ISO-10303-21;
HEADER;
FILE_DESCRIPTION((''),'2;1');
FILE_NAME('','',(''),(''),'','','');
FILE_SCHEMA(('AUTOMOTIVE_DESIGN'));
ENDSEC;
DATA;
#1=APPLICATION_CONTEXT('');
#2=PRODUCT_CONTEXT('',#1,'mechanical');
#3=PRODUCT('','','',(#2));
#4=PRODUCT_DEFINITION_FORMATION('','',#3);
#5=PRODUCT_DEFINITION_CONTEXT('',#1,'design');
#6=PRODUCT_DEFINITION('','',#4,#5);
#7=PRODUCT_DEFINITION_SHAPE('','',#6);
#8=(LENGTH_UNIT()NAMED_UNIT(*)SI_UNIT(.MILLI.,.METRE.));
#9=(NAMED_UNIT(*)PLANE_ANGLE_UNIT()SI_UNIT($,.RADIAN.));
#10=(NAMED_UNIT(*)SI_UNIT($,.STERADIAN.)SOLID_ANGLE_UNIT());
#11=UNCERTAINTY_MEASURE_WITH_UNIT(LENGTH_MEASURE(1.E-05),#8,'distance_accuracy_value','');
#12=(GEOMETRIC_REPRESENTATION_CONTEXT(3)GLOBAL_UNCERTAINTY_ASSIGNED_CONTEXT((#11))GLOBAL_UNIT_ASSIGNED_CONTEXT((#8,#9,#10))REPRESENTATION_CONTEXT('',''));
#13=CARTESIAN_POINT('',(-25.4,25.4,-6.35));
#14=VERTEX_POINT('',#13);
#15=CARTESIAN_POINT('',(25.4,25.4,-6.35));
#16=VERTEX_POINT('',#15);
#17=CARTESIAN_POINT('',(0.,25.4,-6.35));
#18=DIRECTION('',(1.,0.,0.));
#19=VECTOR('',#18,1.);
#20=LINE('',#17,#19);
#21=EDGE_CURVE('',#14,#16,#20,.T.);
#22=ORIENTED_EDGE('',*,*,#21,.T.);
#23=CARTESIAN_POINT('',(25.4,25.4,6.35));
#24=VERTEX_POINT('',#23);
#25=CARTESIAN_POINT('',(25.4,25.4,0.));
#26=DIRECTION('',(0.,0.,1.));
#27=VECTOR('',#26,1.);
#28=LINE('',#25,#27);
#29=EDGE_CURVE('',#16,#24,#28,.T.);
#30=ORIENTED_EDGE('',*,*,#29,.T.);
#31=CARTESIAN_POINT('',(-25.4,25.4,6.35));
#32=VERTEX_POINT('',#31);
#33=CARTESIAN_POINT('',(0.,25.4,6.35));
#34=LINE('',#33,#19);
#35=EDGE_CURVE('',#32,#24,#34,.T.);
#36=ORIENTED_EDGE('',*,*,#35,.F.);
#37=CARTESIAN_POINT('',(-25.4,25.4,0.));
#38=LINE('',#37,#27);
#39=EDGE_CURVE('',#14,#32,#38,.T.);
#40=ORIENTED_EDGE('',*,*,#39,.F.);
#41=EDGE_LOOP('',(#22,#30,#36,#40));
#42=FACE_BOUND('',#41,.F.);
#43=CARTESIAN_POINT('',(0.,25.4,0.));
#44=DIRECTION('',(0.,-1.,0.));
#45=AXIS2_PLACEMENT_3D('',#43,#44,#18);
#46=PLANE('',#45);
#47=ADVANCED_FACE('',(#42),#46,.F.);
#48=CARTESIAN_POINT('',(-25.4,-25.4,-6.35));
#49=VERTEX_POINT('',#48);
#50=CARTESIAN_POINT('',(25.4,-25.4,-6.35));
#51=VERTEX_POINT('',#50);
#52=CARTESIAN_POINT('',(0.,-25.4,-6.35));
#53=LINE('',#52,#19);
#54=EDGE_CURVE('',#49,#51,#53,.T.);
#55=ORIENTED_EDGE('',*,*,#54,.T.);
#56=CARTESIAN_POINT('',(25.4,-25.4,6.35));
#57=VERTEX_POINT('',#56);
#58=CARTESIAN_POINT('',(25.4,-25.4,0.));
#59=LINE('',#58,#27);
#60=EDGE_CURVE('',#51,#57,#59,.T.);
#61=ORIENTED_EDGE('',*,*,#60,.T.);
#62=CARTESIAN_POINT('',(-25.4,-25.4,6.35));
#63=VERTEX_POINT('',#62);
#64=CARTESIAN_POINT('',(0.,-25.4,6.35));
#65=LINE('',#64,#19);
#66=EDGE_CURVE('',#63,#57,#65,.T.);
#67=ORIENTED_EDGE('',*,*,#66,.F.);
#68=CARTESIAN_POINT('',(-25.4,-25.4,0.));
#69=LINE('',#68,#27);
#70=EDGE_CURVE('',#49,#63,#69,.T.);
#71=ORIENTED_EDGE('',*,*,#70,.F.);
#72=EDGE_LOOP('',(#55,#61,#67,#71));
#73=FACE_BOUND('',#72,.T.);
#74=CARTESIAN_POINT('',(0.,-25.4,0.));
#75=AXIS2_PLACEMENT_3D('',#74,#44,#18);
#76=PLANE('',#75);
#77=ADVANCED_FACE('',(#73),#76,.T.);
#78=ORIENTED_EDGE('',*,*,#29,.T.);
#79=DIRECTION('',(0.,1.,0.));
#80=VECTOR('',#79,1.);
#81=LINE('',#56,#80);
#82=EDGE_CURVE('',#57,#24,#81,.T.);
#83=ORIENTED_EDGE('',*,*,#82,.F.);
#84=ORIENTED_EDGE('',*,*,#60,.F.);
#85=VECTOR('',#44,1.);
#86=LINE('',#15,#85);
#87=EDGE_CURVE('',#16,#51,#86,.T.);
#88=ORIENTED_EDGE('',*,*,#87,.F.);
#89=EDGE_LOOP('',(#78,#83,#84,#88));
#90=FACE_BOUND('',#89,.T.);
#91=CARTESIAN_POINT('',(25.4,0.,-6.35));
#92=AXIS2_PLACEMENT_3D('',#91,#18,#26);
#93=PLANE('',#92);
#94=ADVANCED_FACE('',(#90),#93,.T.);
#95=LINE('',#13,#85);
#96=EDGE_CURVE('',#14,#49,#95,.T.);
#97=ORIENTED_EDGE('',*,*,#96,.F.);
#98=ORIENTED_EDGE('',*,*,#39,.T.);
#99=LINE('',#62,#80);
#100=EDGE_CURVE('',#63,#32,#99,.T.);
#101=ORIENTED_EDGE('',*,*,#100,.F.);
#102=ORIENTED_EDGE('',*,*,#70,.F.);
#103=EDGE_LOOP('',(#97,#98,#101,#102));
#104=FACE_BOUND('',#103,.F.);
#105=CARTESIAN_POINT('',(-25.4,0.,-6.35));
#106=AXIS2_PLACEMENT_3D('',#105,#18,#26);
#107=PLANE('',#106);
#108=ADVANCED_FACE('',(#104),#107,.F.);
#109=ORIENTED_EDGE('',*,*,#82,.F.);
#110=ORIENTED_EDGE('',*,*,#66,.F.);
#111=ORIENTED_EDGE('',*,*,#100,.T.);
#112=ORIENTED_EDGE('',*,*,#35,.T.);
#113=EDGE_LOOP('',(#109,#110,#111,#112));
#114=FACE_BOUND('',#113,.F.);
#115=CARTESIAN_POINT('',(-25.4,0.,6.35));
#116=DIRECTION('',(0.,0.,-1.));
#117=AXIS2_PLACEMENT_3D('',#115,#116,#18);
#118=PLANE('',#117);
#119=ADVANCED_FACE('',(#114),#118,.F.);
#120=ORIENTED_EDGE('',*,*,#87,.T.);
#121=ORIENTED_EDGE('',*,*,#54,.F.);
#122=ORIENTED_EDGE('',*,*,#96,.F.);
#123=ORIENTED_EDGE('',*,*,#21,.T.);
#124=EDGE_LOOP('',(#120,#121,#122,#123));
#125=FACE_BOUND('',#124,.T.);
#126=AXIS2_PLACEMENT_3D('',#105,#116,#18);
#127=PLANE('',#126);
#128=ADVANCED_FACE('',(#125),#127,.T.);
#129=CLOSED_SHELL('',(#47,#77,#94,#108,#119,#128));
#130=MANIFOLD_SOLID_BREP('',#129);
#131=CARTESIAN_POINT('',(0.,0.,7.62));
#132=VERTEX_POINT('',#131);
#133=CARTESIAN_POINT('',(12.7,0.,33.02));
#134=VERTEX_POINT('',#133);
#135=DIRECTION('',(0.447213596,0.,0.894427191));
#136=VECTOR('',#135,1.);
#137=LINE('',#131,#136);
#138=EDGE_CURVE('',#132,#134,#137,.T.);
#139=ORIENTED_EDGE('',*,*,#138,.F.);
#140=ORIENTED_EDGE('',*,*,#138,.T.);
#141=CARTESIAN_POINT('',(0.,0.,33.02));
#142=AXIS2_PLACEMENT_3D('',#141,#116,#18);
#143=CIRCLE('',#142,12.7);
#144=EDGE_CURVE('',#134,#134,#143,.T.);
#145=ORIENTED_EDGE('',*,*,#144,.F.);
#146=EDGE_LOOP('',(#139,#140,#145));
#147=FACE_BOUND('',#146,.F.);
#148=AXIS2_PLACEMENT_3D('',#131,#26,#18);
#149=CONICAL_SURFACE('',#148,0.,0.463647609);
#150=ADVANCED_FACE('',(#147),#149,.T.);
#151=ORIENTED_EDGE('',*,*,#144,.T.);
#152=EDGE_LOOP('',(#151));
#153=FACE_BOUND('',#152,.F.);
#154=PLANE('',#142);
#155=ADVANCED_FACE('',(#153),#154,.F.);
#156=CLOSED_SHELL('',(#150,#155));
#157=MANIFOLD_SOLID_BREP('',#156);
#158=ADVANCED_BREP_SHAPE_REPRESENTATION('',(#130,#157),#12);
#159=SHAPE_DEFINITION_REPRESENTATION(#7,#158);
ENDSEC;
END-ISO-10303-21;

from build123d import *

# Parameters (mm, degrees)
F0_W     = 50.8
F0_H     = 12.7
F1_DEPTH = 25.4


with BuildPart() as f1:
    # F0 (on Front) → F1 (new body, symmetric)
    with BuildSketch(Plane.XZ):
        Rectangle(F0_W, F0_H)
    extrude(amount=F1_DEPTH, both=True)


with BuildPart() as f3:
    # F2 (on Front) → F3 (revolve)
    with BuildSketch(Plane.XZ):
        Polygon((0, 33.02), (0, 7.62), (12.7, 33.02), align=None)
    revolve(axis=Axis((0, 0, 20.32), (0, 0, -1)))


solid = Compound([f1.part, f3.part])
